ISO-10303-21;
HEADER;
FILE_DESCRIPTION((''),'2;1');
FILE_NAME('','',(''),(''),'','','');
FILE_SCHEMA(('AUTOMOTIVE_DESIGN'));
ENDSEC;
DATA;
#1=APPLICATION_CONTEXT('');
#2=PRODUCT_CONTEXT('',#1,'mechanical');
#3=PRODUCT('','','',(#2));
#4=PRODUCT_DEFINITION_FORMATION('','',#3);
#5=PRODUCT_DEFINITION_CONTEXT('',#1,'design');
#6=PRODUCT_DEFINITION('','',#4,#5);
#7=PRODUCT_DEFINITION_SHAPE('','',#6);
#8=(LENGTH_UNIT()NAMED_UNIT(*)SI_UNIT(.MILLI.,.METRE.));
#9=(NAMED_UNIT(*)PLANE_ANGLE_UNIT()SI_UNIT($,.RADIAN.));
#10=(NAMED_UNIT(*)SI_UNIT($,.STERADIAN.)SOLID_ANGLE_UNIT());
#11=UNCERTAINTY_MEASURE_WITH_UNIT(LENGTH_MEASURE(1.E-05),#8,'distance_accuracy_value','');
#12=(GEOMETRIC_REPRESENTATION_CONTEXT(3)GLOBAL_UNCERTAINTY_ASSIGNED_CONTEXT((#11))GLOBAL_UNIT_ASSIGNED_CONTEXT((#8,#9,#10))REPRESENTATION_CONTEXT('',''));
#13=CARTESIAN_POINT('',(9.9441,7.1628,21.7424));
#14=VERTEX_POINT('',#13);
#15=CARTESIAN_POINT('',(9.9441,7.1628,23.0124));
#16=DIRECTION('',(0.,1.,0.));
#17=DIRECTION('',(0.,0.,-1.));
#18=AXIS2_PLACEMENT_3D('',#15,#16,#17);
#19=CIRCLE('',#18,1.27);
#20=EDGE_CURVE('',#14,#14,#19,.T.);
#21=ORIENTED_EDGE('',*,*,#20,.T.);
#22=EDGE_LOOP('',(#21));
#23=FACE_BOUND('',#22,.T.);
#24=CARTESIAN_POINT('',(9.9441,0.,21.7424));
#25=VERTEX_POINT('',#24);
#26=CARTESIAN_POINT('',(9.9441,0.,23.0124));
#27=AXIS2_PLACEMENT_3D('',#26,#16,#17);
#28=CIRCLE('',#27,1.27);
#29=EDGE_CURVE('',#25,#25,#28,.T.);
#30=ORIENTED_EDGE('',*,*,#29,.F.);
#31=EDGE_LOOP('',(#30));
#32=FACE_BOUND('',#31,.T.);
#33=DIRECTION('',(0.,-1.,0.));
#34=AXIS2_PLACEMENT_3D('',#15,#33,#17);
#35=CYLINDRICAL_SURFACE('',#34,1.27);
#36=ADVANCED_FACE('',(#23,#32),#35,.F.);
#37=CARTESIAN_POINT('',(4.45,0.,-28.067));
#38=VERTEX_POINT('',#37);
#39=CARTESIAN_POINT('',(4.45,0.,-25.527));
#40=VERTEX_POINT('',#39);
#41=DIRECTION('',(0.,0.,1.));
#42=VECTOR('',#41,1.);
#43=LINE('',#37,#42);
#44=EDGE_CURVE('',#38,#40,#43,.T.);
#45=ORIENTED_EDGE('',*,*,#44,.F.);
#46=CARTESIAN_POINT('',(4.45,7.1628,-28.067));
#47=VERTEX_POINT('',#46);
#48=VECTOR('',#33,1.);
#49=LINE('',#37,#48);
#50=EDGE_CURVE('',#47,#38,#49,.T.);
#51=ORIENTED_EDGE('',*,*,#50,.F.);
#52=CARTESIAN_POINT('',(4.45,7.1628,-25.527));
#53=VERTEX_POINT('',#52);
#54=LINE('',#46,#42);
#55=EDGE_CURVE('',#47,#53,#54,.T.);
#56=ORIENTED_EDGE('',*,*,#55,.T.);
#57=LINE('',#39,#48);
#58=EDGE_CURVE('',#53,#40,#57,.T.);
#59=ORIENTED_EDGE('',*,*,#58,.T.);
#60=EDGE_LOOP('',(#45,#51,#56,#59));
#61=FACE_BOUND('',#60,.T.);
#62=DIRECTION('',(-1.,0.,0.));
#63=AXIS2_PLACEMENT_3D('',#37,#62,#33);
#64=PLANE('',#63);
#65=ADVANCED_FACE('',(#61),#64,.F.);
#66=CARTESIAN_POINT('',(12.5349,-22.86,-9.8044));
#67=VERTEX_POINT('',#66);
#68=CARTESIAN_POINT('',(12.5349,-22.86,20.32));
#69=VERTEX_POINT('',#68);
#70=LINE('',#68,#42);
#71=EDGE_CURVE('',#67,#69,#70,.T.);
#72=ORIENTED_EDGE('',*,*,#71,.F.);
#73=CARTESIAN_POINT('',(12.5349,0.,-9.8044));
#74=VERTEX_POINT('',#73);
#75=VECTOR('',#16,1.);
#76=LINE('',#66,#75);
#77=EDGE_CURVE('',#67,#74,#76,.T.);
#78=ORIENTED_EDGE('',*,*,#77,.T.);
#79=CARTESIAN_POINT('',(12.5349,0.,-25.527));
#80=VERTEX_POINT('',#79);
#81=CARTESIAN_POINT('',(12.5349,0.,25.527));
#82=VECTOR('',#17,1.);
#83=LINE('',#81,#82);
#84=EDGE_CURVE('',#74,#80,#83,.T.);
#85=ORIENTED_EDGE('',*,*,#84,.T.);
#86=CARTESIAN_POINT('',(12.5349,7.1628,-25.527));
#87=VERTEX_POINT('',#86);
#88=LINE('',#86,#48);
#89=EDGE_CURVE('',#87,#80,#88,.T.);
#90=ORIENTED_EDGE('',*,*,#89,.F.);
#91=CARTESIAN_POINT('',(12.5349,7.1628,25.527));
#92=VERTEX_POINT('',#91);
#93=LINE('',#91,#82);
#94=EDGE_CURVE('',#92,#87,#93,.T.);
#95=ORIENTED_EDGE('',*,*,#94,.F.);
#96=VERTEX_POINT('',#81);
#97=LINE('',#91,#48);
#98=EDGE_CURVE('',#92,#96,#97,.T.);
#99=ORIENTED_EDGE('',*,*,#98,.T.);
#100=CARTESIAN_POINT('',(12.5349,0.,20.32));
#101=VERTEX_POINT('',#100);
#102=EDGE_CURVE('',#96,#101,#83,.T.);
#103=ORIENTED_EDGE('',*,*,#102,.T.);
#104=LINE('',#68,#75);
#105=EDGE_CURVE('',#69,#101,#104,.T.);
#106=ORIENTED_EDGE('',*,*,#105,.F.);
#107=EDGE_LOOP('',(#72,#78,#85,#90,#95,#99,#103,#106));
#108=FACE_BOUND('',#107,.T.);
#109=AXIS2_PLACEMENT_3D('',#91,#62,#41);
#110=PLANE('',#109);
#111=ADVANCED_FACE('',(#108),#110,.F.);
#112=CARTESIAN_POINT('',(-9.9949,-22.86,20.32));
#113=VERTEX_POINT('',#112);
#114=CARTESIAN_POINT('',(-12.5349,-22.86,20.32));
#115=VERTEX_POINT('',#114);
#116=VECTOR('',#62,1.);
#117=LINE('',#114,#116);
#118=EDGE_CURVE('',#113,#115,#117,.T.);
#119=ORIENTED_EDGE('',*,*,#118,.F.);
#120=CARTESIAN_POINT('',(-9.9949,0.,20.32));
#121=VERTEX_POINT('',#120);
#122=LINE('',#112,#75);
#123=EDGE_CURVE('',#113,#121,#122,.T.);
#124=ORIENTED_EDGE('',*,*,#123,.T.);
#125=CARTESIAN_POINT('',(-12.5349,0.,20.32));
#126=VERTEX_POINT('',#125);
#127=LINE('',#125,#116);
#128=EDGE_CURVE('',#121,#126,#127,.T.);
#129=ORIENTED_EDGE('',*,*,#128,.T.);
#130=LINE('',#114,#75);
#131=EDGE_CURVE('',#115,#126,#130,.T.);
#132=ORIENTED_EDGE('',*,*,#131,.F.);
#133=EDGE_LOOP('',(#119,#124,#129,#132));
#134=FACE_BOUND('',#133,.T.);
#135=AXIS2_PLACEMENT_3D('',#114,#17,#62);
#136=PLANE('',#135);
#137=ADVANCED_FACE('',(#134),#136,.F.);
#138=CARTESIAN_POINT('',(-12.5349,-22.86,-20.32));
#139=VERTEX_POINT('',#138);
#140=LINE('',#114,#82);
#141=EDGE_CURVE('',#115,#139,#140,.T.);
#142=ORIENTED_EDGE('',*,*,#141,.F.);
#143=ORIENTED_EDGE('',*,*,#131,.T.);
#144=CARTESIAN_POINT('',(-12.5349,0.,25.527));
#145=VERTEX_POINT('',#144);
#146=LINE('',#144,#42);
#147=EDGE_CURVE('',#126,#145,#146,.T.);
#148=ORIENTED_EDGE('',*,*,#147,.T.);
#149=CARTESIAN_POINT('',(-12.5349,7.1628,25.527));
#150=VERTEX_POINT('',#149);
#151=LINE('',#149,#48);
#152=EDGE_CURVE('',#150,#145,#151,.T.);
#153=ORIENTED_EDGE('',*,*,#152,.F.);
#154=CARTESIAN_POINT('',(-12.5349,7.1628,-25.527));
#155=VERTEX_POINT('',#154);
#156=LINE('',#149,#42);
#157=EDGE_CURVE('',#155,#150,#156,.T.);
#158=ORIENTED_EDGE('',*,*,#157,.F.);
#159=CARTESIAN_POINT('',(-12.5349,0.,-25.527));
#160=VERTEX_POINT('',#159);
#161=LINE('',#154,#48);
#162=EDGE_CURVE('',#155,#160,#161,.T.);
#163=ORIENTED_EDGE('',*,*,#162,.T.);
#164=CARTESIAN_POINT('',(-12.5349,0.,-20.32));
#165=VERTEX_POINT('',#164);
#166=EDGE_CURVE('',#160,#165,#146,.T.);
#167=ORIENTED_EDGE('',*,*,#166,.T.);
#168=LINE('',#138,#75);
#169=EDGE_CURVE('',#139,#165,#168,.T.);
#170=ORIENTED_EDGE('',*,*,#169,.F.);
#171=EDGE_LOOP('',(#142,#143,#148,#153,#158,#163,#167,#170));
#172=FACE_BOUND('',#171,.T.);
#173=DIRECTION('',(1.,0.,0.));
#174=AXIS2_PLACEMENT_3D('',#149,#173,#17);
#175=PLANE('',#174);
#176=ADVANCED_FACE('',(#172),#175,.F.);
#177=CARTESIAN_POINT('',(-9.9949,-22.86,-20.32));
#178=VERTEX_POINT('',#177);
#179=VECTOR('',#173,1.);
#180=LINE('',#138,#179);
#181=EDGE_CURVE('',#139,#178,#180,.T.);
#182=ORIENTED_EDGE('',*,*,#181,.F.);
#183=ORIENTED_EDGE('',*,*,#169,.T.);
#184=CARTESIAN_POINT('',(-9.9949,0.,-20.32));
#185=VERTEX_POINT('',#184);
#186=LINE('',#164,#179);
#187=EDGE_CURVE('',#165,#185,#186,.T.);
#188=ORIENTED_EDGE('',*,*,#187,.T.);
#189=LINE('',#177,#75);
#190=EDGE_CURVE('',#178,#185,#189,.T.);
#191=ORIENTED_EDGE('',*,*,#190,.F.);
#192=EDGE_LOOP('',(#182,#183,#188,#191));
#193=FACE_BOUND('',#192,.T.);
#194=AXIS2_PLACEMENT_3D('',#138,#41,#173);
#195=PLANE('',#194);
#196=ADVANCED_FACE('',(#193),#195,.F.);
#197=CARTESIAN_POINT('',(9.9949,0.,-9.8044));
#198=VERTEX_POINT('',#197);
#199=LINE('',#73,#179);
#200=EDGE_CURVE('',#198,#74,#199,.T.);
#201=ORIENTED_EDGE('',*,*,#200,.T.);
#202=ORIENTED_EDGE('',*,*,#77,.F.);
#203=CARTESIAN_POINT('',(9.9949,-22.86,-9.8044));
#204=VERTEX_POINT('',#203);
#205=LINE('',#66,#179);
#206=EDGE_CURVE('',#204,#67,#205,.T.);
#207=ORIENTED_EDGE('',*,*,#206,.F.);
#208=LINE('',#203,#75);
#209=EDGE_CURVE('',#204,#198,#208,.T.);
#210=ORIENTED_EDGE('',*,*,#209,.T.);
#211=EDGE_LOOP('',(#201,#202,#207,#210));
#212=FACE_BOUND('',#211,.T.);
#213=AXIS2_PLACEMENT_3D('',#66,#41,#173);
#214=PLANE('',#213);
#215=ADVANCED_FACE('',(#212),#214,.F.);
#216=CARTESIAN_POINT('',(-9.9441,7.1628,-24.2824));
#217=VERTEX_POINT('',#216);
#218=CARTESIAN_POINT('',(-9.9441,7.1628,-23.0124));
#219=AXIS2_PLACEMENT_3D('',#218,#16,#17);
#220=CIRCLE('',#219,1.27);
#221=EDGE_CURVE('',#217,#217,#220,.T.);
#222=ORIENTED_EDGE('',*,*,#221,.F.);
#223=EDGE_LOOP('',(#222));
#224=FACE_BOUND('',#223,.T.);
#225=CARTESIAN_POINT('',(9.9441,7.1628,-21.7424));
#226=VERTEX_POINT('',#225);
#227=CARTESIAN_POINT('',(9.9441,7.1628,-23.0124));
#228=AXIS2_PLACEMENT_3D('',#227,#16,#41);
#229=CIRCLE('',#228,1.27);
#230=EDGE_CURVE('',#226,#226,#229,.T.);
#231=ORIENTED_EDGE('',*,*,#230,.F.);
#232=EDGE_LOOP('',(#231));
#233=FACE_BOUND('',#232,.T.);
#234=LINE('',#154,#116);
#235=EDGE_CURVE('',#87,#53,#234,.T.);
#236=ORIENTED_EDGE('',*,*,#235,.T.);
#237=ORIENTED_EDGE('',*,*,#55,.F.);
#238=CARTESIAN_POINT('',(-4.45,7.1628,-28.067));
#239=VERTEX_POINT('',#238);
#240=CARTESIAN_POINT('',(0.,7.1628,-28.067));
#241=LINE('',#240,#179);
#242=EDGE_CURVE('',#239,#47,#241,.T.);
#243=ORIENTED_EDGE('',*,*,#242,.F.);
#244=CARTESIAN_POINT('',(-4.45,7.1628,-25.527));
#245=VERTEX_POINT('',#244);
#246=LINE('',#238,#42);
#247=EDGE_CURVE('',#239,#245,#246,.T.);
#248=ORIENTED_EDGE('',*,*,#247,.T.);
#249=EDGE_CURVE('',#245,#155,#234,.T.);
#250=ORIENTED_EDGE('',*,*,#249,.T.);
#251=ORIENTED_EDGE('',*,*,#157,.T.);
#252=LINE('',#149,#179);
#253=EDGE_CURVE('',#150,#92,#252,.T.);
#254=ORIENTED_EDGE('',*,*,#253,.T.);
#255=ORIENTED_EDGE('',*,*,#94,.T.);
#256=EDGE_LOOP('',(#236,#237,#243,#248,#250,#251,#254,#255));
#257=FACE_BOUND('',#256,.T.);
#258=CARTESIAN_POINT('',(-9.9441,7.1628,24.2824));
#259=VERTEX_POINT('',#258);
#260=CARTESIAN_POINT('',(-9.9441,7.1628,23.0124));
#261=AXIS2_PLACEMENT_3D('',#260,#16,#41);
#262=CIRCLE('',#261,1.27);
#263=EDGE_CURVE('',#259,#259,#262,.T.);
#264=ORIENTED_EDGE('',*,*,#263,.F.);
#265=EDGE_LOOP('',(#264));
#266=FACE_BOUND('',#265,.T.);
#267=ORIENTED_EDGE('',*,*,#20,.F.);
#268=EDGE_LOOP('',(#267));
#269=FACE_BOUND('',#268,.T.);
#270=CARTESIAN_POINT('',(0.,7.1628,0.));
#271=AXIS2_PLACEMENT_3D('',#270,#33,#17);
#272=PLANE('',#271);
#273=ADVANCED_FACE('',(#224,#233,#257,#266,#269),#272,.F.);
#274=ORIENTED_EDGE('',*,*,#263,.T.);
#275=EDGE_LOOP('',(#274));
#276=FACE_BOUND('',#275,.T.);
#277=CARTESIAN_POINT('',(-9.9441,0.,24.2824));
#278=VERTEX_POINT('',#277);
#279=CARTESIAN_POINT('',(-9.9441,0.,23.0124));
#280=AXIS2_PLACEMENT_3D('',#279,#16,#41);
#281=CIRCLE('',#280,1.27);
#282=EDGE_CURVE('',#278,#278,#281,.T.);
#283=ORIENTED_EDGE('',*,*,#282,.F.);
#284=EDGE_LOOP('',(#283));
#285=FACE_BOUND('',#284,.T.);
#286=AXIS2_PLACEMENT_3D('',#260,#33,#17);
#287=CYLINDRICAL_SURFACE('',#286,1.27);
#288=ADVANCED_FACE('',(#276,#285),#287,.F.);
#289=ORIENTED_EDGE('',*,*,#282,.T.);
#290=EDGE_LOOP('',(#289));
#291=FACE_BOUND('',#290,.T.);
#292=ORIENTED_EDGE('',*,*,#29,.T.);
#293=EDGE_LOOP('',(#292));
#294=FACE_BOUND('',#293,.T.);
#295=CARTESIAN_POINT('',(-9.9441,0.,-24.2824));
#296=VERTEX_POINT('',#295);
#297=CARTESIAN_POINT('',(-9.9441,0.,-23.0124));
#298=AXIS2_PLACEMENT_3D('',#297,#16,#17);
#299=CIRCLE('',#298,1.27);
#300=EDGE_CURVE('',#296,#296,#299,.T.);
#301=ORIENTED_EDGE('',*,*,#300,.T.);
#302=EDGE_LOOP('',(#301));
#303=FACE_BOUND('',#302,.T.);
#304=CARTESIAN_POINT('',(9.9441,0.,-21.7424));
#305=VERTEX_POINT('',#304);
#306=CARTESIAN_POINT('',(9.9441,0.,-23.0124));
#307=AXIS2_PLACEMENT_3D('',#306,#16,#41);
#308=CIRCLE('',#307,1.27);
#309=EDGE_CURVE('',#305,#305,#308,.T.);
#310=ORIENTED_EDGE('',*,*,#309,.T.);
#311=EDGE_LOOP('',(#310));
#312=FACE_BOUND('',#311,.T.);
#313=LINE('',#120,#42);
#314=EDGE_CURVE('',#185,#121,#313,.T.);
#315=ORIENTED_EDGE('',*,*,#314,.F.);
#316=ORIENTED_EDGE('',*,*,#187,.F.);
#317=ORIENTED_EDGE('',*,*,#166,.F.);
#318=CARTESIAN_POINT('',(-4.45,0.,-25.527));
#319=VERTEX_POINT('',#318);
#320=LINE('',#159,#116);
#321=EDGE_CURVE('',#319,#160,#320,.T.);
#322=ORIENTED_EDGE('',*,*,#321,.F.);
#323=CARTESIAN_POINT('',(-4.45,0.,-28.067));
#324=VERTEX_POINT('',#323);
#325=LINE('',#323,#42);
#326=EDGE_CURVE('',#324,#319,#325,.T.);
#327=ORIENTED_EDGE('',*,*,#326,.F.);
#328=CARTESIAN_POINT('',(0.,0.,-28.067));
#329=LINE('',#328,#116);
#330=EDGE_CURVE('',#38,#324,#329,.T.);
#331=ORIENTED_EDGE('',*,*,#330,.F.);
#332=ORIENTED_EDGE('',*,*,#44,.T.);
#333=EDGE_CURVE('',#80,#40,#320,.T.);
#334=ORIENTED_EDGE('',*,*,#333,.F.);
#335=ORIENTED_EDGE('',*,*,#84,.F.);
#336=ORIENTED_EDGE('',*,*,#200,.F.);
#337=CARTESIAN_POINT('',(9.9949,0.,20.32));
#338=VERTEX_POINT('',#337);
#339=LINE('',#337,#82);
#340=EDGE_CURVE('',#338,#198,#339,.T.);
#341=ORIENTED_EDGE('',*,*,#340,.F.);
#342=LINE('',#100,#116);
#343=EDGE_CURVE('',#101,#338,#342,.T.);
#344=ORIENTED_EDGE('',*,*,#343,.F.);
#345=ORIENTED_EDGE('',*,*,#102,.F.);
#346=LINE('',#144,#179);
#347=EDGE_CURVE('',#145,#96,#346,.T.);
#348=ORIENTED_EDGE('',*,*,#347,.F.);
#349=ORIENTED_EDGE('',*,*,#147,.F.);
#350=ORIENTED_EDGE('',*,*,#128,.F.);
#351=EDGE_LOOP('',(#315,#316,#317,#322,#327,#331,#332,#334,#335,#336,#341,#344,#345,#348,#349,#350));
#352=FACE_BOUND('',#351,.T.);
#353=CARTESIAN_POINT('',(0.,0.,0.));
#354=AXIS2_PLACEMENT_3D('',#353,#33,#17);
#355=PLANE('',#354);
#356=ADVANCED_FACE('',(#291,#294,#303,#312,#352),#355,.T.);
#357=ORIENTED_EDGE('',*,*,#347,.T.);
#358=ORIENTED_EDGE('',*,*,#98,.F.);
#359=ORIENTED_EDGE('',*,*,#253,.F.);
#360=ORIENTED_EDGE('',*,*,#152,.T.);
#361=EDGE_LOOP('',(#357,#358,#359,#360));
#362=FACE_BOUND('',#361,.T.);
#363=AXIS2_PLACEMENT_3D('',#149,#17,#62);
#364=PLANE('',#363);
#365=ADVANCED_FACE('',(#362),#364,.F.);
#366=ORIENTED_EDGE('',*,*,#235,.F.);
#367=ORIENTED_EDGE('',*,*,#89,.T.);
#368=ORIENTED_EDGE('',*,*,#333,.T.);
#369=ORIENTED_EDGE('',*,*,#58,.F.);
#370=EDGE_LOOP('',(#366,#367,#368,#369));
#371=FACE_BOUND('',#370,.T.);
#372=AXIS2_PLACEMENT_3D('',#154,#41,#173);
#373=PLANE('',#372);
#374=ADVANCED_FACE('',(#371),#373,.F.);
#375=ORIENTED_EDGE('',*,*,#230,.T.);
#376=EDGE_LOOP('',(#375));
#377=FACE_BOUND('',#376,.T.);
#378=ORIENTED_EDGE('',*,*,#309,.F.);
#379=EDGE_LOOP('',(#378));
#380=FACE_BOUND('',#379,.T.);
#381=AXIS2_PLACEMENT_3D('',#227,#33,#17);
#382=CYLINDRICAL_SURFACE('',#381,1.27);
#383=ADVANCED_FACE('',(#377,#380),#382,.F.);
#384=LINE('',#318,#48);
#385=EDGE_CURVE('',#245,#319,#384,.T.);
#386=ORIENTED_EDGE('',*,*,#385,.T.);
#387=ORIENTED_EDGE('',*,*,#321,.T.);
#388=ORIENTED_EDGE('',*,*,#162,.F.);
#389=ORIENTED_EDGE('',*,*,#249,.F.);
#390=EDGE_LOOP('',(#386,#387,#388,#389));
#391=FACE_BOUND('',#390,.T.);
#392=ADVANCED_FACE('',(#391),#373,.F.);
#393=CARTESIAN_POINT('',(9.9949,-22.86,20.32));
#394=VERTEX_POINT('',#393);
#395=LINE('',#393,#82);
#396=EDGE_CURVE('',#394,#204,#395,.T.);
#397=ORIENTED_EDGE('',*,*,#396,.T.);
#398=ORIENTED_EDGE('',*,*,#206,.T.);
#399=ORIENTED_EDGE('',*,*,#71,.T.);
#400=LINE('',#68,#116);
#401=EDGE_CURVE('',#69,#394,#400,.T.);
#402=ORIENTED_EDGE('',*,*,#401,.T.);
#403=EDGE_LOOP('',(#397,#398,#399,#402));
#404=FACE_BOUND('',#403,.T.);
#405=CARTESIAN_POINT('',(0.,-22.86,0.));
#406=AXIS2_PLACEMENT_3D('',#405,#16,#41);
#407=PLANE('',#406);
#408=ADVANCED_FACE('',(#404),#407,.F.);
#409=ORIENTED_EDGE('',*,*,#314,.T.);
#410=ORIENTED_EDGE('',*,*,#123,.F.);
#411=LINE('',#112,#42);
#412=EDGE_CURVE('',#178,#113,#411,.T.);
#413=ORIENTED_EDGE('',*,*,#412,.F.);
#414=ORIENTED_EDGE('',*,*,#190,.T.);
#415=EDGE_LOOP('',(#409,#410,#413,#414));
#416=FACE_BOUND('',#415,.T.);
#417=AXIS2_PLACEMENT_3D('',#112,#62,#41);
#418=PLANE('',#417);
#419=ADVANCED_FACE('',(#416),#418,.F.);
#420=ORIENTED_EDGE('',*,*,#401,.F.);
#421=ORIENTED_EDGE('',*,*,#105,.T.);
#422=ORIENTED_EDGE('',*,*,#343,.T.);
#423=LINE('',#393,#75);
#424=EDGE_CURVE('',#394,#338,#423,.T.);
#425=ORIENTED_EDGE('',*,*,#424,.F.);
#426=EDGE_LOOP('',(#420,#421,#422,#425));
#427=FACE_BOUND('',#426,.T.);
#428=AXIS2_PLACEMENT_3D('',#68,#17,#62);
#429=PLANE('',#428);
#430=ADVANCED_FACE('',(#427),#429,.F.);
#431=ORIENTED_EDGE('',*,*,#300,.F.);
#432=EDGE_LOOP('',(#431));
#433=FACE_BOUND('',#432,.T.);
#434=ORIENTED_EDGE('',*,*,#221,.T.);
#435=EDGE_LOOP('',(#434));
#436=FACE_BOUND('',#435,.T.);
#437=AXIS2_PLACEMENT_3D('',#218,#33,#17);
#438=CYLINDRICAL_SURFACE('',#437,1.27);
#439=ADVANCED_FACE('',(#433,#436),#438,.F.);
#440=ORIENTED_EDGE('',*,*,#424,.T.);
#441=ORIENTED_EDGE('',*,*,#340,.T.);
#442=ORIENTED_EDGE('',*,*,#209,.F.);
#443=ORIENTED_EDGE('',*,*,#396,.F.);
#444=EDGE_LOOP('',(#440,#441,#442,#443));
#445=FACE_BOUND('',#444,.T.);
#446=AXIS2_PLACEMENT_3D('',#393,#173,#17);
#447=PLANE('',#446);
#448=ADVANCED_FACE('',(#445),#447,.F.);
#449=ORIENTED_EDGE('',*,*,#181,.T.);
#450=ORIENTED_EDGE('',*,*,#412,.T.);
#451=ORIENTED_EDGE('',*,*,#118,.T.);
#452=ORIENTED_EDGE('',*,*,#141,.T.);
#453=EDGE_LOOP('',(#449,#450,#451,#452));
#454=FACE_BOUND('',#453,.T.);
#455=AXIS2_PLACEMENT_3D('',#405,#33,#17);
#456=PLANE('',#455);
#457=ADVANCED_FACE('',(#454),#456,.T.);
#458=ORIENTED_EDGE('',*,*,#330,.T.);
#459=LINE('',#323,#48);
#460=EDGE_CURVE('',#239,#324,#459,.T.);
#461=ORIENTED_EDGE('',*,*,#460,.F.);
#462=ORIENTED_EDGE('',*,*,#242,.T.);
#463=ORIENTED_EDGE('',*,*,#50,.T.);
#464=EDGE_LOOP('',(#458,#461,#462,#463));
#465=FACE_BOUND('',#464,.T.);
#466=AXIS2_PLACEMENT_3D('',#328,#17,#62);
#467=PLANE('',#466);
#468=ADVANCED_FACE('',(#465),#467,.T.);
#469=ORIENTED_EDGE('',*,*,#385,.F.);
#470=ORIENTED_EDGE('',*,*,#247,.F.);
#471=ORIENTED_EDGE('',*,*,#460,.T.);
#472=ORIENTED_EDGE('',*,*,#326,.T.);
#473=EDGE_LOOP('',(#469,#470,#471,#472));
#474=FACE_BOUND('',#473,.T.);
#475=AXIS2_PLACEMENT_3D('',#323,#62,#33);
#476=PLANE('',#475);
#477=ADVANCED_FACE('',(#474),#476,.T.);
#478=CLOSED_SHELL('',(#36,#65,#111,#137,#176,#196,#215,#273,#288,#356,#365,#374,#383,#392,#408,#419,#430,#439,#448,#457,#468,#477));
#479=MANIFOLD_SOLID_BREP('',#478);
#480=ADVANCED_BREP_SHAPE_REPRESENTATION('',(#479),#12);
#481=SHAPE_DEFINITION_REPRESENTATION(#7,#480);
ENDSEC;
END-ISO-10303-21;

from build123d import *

# Parameters (mm, degrees)
SKETCH1_W           = 25.0698
SKETCH1_H           = 51.054
SKETCH1_R           = 1.27
BOSS_EXTRUDE1_DEPTH = 7.1628
SKETCH2_W           = 2.54
SKETCH2_H           = 40.64
SKETCH2_H_2         = 30.1244
BOSS_EXTRUDE2_DEPTH = 22.86
SKETCH3_W           = 8.9
SKETCH3_H           = 7.1628
BOSS_EXTRUDE3_DEPTH = 2.54


with BuildPart() as part:
    # Sketch1 → Boss-Extrude1 (new body)
    with BuildSketch(Plane(origin=(0, 0, 0), x_dir=(1, 0, 0), z_dir=(0, 1, 0))):
        Rectangle(SKETCH1_W, SKETCH1_H)
        with Locations(Location((9.9441, 23.0124, 0), (0, 0, 270))):
            Circle(SKETCH1_R, mode=Mode.SUBTRACT)
        with Locations(Location((-9.9441, 23.0124, 0), (0, 0, 90))):
            Circle(SKETCH1_R, mode=Mode.SUBTRACT)
        with Locations(Location((9.9441, -23.0124, 0), (0, 0, 90))):
            Circle(SKETCH1_R, mode=Mode.SUBTRACT)
        with Locations(Location((-9.9441, -23.0124, 0), (0, 0, 270))):
            Circle(SKETCH1_R, mode=Mode.SUBTRACT)
    extrude(amount=BOSS_EXTRUDE1_DEPTH)

    # Sketch2 → Boss-Extrude2 (add)
    with BuildSketch(Plane.XZ):
        with Locations((-11.2649, 0)):
            Rectangle(SKETCH2_W, SKETCH2_H)
        with Locations((11.2649, 5.2578)):
            Rectangle(SKETCH2_W, SKETCH2_H_2)
    extrude(amount=BOSS_EXTRUDE2_DEPTH)

    # Sketch3 → Boss-Extrude3 (add)
    with BuildSketch(Plane(origin=(0, 0, -25.527), x_dir=(-1, 0, 0), z_dir=(0, 0, -1))):
        with Locations((0, 3.5814)):
            Rectangle(SKETCH3_W, SKETCH3_H)
    extrude(amount=BOSS_EXTRUDE3_DEPTH)


solid = part.part
